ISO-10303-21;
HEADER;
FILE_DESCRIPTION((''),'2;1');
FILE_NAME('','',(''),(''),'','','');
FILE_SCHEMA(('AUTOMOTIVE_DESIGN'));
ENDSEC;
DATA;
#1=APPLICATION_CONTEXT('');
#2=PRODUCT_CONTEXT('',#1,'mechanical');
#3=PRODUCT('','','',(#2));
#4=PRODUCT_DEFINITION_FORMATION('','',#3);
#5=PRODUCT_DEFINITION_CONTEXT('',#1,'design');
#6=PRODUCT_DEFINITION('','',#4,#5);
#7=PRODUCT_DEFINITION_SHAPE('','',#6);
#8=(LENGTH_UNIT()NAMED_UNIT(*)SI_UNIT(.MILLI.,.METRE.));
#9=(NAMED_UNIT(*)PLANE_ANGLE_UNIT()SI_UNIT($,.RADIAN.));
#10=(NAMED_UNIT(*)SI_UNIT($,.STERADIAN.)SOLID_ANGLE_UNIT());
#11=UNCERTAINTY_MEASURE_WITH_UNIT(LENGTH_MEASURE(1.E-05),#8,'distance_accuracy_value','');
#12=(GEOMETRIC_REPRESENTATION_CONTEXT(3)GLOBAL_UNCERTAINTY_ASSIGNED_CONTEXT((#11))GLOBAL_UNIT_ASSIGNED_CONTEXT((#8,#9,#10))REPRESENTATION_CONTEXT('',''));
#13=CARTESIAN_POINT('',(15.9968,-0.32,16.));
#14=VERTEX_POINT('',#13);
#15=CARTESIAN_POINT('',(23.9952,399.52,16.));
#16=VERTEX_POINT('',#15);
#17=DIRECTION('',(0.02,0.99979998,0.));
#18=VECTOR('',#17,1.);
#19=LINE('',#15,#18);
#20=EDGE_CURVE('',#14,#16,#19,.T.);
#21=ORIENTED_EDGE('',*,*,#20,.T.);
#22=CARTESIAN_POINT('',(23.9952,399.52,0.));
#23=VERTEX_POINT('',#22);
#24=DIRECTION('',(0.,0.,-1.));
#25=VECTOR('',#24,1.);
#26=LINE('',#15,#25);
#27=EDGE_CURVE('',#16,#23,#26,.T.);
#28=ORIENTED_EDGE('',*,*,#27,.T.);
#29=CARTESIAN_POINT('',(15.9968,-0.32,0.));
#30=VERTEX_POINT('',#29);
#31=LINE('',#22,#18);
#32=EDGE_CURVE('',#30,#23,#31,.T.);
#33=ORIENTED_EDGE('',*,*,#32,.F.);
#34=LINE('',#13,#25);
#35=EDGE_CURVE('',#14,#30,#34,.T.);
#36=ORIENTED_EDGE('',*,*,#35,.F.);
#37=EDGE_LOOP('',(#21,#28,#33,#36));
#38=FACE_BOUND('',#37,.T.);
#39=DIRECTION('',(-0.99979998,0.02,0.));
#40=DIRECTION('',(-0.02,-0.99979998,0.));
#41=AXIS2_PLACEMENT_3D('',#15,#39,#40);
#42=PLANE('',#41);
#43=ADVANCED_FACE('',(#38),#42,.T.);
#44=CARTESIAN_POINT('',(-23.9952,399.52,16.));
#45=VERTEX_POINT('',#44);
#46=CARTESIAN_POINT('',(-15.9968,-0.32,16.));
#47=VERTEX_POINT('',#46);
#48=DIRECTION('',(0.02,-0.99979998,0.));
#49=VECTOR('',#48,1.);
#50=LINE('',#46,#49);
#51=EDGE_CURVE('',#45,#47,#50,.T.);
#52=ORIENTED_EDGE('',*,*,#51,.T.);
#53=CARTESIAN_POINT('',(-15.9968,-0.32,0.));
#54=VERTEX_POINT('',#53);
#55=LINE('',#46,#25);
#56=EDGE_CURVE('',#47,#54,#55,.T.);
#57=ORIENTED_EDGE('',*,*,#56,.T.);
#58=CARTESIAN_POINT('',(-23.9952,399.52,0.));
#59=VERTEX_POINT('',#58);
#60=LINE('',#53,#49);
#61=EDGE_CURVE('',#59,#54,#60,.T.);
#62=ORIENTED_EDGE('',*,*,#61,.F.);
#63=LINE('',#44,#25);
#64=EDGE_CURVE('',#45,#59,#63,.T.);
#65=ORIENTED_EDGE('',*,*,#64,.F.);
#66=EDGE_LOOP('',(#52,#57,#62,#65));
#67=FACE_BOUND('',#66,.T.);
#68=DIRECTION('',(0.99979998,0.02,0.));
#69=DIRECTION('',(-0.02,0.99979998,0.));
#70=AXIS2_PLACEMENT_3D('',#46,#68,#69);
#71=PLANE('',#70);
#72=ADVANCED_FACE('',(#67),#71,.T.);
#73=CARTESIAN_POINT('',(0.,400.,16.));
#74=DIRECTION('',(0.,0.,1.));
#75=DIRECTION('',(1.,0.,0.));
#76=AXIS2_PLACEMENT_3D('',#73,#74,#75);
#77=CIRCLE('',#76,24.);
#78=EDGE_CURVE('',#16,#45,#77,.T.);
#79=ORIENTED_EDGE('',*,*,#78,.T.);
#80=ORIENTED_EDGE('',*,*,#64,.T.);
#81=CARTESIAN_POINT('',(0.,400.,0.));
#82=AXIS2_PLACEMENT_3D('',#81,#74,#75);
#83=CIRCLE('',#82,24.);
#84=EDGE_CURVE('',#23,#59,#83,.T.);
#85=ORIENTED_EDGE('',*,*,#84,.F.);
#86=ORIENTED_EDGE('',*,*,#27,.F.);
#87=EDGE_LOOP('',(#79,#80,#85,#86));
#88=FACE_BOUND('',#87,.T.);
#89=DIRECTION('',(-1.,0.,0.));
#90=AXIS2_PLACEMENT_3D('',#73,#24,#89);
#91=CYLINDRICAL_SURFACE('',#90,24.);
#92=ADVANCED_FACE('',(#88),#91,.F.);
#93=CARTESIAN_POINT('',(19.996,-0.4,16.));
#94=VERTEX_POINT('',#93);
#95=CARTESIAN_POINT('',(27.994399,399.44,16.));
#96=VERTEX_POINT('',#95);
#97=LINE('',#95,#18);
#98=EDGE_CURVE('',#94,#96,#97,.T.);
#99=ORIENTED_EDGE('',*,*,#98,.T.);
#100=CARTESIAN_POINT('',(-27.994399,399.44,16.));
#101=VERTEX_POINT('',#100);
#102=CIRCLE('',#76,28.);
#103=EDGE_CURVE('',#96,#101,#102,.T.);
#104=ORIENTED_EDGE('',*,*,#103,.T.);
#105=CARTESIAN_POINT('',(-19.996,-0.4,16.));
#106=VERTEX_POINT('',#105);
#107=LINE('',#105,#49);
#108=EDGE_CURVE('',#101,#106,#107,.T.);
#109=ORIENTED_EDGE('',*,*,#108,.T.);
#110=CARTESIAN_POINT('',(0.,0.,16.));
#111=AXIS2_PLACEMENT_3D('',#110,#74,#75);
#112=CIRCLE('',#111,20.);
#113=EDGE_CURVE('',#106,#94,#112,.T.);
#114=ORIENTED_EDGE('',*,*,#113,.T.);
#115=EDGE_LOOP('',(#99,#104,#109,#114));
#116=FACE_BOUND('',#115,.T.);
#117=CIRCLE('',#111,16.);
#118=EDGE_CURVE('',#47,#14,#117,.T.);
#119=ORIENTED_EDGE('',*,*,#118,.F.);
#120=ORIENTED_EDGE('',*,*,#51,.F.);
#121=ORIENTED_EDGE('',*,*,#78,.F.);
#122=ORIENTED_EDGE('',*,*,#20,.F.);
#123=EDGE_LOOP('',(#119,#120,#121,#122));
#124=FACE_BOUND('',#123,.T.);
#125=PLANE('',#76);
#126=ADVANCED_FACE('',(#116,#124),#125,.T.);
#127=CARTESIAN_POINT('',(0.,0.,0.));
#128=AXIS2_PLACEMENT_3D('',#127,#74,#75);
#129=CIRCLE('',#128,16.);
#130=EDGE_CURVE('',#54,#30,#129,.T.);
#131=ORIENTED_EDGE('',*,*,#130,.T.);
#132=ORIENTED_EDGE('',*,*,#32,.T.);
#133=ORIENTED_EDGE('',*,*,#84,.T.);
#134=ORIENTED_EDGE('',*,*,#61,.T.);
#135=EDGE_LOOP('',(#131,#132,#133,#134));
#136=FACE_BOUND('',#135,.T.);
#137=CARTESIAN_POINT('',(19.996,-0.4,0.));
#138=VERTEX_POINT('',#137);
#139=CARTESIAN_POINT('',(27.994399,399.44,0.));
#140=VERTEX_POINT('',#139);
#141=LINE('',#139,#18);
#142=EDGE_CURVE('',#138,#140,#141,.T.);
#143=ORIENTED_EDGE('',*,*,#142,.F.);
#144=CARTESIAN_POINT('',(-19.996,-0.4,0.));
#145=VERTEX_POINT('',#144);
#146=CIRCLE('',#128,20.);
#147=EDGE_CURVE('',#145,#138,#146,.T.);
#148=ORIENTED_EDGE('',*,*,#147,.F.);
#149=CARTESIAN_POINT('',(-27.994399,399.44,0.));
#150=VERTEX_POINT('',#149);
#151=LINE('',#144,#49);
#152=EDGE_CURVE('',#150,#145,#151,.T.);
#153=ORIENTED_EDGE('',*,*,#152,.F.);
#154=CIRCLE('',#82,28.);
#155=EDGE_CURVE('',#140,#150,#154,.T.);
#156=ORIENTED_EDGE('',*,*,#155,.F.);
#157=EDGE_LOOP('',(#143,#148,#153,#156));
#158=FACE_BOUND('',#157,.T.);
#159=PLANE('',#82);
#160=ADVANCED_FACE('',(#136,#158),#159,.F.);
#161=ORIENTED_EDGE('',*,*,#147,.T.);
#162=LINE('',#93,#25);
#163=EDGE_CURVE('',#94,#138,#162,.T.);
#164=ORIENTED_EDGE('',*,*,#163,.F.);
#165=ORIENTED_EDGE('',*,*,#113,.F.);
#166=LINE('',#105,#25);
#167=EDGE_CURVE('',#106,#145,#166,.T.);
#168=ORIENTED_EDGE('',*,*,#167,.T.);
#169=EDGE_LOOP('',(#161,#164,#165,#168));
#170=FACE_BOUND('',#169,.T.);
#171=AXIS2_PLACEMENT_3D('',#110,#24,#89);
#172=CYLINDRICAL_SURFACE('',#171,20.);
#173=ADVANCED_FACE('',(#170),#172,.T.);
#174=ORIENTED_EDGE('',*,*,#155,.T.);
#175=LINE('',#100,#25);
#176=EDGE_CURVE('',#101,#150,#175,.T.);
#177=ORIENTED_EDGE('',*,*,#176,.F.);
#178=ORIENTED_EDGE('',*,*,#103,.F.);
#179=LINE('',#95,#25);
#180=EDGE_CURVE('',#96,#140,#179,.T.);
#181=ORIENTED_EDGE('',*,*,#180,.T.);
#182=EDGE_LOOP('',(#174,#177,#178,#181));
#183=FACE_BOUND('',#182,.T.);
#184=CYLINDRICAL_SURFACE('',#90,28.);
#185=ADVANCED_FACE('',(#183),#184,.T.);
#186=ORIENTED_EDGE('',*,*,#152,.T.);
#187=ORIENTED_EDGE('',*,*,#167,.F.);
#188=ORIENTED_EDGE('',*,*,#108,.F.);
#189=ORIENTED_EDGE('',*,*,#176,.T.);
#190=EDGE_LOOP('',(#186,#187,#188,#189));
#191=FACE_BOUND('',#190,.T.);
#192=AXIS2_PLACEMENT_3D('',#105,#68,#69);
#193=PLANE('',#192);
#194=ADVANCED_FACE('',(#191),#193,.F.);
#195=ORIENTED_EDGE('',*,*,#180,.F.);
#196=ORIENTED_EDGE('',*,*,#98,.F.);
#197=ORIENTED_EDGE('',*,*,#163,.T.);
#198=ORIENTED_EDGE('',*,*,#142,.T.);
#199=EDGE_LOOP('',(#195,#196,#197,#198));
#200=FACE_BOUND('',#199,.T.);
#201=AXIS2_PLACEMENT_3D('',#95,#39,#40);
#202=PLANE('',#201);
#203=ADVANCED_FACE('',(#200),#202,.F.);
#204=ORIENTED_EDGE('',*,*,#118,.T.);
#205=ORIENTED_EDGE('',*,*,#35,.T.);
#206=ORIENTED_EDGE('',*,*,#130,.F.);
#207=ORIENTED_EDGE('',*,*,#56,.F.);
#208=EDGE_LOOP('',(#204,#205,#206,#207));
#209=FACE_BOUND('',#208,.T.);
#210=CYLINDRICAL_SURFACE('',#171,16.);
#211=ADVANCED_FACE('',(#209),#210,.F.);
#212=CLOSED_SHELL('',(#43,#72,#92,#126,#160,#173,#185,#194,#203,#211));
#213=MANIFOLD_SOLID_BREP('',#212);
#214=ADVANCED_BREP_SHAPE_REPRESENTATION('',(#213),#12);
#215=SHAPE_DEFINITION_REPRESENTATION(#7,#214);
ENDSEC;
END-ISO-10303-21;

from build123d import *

# Parameters (mm, degrees)
BOSS_EXTRUDE1_DEPTH = 16


with BuildPart() as part:
    # Sketch1 → Boss-Extrude1 (new body)
    with BuildSketch(Plane.XY):
        with BuildLine():
            Line((-19.9959996, -0.4), (-27.99439944, 399.44))
            ThreePointArc((-27.99439944, 399.44), (0, 428), (27.99439944, 399.44))
            Line((27.99439944, 399.44), (19.9959996, -0.4))
            ThreePointArc((19.9959996, -0.4), (0, -20), (-19.9959996, -0.4))
        make_face()
        with BuildLine():
            Line((-15.99679968, -0.32), (-23.99519952, 399.52))
            ThreePointArc((-23.99519952, 399.52), (0, 424), (23.99519952, 399.52))
            Line((23.99519952, 399.52), (15.99679968, -0.32))
            ThreePointArc((15.99679968, -0.32), (0, -16), (-15.99679968, -0.32))
        make_face(mode=Mode.SUBTRACT)
    extrude(amount=BOSS_EXTRUDE1_DEPTH)


solid = part.part
